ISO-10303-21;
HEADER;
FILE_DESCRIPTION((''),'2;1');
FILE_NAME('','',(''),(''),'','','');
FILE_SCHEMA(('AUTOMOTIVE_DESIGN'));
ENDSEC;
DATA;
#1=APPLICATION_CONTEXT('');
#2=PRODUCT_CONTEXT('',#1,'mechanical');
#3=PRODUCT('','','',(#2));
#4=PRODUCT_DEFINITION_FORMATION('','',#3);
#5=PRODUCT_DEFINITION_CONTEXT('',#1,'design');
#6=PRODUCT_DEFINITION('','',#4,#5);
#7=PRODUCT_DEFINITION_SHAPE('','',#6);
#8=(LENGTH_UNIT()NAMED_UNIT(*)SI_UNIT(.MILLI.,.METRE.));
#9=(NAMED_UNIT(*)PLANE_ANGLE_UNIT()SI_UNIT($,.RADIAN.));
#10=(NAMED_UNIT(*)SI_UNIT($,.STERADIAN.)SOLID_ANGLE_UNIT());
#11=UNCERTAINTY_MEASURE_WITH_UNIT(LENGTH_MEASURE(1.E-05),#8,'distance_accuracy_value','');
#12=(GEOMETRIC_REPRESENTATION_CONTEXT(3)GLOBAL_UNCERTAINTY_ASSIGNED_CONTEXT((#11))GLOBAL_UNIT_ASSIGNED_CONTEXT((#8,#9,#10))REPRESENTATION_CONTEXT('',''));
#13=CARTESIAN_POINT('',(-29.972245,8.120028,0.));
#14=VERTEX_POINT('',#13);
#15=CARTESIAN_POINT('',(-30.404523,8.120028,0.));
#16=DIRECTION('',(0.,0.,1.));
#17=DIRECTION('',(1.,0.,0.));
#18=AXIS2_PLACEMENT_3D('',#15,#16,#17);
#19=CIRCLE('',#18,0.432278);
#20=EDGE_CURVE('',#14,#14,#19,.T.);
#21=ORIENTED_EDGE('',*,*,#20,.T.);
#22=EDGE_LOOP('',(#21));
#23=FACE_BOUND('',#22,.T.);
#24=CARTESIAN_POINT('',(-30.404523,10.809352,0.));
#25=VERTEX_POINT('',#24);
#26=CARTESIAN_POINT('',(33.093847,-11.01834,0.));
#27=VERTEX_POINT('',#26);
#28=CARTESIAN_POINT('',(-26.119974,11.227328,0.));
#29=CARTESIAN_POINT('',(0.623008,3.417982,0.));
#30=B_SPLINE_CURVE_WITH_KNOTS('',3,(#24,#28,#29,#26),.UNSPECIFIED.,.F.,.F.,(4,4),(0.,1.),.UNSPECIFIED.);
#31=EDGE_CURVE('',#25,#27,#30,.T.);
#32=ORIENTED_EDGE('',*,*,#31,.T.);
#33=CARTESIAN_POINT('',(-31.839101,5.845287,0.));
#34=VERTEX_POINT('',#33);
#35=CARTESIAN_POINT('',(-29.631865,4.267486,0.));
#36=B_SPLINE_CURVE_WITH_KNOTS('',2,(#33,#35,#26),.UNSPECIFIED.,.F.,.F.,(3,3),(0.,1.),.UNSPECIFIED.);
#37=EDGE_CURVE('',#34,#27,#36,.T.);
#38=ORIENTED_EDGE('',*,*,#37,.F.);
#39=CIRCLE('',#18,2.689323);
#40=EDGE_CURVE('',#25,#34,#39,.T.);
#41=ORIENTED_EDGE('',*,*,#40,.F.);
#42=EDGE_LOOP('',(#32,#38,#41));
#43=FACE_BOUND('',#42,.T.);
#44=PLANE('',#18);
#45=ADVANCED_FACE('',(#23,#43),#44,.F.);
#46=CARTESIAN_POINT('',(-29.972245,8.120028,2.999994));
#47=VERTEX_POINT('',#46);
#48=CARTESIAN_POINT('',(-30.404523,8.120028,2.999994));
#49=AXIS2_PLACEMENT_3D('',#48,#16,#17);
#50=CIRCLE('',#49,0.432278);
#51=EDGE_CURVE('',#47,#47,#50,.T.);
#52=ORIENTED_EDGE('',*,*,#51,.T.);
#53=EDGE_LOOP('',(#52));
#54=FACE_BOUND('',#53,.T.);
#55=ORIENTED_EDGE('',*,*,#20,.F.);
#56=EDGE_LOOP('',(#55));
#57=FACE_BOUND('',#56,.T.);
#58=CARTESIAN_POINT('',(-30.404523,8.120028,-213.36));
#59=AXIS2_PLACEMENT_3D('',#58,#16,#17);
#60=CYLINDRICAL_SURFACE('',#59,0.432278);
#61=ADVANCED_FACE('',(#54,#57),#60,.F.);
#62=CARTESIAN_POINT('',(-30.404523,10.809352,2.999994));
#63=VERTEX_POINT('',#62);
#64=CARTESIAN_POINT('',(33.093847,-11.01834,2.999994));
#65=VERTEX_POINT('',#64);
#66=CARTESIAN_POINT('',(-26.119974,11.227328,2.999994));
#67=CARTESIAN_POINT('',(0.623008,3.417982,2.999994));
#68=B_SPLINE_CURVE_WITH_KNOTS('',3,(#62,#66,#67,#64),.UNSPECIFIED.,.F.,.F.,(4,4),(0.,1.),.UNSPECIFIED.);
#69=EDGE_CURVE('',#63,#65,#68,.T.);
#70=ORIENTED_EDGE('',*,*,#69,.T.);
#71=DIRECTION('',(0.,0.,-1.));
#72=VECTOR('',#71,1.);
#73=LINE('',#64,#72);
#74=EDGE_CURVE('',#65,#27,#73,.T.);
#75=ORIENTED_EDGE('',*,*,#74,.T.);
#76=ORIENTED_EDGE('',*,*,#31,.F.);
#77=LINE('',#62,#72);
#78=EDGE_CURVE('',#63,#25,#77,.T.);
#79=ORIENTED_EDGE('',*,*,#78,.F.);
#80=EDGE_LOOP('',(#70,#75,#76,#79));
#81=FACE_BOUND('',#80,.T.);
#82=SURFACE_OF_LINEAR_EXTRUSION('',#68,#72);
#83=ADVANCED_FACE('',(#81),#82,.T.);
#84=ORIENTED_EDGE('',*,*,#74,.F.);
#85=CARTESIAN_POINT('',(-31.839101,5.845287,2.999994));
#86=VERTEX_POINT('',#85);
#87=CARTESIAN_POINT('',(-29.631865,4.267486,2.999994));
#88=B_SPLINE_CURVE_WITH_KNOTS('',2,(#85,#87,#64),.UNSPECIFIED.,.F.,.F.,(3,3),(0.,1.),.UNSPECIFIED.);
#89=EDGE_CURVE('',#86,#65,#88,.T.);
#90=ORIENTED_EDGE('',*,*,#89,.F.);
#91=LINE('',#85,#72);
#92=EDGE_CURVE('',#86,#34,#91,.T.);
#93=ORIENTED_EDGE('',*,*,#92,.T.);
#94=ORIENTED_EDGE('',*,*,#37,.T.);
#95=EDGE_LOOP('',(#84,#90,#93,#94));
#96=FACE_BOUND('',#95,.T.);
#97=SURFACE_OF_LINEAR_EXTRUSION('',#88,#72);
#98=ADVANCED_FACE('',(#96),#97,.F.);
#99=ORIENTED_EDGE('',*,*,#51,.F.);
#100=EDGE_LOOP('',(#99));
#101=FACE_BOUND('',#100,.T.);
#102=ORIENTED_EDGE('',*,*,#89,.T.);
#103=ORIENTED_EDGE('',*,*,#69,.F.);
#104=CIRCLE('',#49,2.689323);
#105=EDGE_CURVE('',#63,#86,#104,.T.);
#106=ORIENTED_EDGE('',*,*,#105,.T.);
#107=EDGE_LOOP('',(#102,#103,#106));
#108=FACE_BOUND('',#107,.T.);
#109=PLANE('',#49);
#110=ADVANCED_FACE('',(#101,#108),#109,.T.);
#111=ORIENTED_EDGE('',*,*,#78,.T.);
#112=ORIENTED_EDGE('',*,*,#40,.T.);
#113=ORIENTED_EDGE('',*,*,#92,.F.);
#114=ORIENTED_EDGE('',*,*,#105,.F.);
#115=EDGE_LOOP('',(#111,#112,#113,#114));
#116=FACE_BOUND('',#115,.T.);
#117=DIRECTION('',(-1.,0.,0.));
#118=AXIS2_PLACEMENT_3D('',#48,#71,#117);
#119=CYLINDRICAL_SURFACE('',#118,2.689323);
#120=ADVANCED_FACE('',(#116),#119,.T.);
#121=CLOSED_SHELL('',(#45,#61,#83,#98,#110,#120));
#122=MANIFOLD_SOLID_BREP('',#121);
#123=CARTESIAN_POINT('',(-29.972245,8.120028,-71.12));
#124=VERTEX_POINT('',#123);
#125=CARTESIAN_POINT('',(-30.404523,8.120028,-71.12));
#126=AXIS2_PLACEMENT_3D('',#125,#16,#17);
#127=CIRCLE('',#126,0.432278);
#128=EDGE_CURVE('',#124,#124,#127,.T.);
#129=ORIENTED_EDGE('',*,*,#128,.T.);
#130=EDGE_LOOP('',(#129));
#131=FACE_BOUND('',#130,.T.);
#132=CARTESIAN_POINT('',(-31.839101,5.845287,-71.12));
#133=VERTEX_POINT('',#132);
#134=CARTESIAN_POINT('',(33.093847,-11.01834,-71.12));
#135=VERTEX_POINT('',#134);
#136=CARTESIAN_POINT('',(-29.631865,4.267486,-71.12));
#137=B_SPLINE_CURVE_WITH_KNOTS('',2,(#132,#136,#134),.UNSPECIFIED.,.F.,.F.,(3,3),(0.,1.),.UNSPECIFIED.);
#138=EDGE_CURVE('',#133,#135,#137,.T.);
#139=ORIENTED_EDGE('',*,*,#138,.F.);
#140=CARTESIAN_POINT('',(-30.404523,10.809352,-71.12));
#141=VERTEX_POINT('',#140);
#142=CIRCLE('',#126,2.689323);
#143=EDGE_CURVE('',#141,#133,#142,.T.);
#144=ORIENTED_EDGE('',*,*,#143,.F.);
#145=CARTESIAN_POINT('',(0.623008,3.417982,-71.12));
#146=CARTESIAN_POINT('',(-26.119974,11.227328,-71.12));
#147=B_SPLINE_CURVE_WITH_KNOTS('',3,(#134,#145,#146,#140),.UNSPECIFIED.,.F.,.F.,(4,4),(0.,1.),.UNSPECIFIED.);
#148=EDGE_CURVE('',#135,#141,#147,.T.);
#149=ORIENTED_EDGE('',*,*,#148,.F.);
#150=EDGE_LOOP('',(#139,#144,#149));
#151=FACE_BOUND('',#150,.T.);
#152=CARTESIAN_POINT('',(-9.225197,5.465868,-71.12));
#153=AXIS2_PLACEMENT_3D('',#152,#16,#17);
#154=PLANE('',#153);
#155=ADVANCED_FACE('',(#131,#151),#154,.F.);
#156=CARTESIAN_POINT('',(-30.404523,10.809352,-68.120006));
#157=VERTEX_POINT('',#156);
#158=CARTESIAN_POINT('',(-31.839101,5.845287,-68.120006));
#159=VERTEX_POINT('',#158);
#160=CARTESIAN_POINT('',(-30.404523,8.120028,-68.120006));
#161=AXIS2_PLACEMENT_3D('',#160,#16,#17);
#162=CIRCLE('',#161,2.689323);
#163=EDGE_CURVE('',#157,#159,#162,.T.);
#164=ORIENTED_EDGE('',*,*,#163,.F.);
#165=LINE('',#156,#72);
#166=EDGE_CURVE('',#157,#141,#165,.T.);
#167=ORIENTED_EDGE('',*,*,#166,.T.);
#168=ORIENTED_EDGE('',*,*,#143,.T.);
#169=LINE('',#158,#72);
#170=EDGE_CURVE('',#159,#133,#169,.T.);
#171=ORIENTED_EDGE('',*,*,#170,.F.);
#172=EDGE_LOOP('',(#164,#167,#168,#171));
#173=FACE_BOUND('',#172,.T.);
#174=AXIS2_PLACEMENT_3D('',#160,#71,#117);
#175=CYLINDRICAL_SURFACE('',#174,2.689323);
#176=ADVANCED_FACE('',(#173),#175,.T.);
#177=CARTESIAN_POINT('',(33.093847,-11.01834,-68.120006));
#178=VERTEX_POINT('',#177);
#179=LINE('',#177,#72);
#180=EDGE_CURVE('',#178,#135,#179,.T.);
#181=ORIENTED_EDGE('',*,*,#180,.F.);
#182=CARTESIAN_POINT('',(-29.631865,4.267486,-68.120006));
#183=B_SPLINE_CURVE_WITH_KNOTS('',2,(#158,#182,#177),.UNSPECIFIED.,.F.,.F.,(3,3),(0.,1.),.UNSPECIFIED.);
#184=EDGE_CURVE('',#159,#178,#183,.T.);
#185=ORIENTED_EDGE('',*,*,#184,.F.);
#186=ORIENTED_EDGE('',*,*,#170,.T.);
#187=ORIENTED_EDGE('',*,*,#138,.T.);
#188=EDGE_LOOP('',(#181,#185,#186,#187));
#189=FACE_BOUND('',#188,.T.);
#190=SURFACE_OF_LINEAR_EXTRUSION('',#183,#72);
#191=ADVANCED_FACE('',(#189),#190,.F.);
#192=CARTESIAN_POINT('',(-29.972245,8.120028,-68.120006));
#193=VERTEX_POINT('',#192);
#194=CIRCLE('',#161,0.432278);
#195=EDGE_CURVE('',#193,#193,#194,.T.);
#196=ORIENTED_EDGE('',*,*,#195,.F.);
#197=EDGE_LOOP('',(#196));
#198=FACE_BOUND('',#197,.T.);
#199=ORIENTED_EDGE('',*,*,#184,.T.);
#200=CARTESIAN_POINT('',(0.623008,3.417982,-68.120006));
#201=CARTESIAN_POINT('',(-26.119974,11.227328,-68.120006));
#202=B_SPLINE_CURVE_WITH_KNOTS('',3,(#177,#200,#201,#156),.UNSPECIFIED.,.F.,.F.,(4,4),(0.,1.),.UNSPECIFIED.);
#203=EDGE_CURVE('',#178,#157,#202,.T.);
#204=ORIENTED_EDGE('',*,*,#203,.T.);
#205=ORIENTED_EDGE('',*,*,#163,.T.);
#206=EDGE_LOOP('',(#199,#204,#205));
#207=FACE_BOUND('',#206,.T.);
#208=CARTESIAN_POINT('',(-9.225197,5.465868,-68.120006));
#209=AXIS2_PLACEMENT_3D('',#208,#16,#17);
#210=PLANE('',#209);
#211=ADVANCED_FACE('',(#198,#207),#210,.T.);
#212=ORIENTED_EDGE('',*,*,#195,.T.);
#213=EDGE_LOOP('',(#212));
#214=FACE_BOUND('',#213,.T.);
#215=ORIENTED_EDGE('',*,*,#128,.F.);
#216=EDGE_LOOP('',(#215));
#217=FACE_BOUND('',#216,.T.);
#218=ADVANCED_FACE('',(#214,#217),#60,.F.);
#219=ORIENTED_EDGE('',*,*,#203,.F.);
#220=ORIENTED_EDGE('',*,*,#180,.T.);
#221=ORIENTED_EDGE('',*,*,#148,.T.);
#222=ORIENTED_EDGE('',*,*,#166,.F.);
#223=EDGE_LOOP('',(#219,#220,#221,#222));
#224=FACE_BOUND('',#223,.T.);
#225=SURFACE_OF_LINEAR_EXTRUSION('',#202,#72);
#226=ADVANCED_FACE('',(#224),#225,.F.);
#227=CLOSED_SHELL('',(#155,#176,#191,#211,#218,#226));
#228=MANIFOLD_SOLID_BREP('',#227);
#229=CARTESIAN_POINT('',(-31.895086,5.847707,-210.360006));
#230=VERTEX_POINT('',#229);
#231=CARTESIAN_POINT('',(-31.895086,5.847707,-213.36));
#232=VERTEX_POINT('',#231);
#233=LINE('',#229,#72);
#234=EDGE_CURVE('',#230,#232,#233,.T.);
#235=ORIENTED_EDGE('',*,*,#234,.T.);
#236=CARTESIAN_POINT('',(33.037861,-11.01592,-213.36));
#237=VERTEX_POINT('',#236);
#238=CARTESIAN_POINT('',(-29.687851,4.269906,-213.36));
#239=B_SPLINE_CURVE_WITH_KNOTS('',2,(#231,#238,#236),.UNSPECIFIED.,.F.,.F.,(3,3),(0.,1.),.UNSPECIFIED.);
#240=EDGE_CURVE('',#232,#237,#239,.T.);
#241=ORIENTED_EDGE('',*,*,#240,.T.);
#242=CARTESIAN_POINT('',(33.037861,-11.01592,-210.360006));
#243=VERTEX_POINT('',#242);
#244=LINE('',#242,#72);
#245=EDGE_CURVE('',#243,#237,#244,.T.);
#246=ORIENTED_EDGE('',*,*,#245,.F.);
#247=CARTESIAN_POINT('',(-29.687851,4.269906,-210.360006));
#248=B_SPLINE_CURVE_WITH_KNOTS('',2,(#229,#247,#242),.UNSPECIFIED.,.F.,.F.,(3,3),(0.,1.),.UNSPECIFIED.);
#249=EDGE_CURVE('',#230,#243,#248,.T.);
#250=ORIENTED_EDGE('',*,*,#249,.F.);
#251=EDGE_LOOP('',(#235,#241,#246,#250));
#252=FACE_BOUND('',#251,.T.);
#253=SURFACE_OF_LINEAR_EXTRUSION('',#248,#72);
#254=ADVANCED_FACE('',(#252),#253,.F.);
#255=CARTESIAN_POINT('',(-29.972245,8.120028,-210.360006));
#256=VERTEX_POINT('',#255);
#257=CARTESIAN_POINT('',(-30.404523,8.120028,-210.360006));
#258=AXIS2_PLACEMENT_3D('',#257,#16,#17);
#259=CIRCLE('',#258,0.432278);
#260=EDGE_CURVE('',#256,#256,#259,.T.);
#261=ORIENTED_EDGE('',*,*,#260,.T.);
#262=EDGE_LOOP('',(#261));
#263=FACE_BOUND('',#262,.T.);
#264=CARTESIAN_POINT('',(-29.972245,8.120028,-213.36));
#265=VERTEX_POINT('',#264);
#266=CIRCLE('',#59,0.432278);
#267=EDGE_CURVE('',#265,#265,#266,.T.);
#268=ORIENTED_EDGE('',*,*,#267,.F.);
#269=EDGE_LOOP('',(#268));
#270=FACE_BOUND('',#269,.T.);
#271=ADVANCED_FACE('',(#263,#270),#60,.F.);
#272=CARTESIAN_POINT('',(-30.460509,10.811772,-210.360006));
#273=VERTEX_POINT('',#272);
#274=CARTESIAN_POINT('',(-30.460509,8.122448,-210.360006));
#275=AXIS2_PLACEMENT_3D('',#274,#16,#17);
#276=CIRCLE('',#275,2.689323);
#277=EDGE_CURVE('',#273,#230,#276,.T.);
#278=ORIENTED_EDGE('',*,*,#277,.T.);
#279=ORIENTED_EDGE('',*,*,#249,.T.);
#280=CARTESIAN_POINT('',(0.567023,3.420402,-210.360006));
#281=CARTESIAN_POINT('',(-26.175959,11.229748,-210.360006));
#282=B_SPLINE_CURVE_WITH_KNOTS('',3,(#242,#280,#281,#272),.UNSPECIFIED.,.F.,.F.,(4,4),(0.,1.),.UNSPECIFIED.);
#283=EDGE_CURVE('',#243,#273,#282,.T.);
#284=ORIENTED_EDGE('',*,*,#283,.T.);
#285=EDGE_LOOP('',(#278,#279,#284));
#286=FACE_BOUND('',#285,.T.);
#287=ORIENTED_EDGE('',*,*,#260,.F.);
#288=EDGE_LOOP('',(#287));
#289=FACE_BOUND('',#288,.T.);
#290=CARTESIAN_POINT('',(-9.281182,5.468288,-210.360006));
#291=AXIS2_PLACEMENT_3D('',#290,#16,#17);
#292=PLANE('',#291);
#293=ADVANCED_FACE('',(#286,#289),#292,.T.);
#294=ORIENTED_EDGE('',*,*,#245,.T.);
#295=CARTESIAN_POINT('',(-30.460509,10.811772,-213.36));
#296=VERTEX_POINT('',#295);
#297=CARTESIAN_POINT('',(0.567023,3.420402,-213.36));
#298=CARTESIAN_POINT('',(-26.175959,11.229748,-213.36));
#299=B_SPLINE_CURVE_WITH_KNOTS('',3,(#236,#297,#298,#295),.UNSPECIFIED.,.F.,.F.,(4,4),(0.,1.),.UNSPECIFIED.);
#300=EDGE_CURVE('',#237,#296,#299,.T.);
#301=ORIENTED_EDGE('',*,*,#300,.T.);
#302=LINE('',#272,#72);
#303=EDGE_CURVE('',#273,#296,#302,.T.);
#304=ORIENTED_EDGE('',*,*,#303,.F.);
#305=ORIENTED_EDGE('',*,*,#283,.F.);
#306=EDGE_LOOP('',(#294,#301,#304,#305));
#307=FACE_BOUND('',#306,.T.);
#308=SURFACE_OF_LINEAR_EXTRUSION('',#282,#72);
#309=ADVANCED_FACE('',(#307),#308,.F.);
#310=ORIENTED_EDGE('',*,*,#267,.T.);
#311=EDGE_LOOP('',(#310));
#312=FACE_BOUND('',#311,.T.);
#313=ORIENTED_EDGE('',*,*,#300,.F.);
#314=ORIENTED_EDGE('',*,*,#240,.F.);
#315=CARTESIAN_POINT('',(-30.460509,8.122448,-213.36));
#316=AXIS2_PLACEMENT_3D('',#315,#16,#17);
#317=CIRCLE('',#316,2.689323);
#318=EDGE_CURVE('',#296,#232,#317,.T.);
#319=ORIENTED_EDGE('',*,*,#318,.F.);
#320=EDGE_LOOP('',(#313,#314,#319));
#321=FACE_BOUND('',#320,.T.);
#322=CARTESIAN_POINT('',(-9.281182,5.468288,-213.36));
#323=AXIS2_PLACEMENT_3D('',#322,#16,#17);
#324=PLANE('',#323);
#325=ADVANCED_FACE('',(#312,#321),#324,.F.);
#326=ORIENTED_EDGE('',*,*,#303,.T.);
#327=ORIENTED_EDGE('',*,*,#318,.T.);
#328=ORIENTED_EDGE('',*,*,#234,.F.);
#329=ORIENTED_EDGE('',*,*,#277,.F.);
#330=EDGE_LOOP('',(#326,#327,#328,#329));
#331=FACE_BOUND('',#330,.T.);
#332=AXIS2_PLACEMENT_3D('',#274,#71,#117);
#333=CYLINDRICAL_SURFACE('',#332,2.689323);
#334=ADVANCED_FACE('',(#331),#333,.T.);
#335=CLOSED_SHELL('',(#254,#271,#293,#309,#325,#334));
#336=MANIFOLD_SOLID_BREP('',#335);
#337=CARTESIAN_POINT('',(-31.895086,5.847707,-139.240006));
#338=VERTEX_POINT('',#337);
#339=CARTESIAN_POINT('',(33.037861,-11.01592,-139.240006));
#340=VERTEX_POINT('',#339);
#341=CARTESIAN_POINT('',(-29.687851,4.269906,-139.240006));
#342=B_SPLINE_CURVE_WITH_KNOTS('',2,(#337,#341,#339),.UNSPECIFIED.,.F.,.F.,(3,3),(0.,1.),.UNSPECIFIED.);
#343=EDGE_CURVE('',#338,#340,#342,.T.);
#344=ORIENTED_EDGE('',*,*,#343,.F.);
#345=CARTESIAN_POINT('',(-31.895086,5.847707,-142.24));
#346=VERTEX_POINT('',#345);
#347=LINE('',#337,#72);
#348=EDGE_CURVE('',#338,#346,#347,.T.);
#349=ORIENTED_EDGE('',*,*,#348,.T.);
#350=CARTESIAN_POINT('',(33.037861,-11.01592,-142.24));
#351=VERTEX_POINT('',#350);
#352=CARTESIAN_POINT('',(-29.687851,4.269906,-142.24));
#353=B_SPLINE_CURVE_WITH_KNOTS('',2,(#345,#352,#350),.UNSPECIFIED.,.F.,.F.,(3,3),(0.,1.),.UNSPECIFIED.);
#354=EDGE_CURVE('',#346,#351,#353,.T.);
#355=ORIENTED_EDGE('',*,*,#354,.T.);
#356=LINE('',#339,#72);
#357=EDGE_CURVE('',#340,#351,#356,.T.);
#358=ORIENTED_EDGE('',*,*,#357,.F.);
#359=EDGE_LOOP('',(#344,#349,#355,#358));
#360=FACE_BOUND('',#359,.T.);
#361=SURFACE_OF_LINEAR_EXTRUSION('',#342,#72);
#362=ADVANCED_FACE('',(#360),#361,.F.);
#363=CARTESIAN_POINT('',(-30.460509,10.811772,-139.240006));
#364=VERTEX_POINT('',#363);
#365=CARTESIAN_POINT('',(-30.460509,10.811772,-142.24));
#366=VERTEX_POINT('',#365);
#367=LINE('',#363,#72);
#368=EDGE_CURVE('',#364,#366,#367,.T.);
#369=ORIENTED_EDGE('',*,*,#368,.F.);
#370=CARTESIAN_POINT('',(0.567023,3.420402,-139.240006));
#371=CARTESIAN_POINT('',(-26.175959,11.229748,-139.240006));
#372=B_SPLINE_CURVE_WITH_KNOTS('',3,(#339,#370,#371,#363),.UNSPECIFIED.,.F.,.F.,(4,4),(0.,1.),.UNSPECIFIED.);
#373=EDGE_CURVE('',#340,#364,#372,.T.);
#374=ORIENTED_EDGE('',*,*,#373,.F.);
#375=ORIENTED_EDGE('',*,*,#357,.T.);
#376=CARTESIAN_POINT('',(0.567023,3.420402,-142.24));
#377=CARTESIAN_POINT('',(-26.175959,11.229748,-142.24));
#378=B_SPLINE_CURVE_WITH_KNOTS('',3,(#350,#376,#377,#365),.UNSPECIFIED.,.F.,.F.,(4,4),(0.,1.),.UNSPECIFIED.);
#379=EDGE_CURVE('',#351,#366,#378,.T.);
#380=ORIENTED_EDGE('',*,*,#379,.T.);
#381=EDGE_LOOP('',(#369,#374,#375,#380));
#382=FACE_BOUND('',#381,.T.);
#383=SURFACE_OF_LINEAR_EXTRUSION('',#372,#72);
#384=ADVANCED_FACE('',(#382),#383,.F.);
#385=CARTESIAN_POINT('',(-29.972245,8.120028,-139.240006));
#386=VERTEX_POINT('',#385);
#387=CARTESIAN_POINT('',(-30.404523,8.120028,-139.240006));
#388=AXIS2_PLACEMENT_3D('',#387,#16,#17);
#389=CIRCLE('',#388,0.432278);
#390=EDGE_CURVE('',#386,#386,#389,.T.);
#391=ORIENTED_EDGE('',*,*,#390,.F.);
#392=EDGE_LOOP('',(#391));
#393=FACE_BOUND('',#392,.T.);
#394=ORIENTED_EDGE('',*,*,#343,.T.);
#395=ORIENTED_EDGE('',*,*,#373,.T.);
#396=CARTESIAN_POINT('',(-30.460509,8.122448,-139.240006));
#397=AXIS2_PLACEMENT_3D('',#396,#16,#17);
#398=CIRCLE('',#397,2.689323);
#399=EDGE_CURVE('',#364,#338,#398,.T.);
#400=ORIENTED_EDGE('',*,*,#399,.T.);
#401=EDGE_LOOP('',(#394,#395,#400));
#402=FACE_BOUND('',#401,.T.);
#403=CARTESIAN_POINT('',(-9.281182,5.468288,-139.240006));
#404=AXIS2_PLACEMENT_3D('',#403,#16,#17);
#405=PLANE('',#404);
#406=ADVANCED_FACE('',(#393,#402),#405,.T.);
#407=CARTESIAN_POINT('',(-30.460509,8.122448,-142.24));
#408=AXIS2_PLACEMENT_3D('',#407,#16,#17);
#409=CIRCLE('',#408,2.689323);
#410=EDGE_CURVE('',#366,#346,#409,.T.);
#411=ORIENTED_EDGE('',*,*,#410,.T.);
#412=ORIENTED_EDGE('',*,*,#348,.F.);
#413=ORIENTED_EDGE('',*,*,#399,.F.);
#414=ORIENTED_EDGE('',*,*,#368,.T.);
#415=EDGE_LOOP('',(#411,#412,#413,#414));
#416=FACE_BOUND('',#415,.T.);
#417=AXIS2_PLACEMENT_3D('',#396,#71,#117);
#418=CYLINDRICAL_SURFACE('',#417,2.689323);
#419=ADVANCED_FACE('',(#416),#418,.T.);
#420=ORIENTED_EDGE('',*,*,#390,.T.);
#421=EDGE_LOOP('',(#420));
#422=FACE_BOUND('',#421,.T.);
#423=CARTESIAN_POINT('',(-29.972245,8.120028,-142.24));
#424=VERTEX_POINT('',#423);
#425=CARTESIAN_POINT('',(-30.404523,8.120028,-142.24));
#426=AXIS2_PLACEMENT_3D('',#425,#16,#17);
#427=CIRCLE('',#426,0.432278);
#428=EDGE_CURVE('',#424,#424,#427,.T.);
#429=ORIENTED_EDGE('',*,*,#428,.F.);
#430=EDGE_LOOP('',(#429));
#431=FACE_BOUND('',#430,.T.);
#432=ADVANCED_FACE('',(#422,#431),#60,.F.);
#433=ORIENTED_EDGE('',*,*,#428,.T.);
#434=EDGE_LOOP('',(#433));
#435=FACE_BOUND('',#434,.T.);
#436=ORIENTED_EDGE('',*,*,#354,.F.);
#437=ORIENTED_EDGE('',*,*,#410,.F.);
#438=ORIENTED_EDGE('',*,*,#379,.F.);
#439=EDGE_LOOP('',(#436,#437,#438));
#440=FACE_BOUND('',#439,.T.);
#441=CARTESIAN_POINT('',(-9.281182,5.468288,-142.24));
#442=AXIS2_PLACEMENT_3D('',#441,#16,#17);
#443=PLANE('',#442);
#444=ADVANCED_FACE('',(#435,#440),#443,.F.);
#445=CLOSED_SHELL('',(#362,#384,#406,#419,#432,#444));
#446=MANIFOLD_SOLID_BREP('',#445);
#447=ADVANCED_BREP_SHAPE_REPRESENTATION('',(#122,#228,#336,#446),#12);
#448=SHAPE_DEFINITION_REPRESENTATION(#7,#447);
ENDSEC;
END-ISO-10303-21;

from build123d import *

# Parameters (mm, degrees)
BOSS_EXTRUDE1_DEPTH = 2.999994
BOSS_EXTRUDE2_DEPTH = 2.999994
BOSS_EXTRUDE3_DEPTH = 2.999994
BOSS_EXTRUDE4_DEPTH = 2.999994
SKETCH6_R           = 0.432278284
CUT_EXTRUDE1_DEPTH  = 217.3599941


with BuildPart() as part:
    # Sketch1 → Boss-Extrude1 (new body)
    with BuildSketch(Plane.XY):
        with BuildLine():
            ThreePointArc((-30.404523451, 10.809351549), (-32.988123249, 8.866669081), (-31.839100998, 5.84528679))
            add(Edge.make_bspline(
                [(-31.839100998, 5.84528679), (-29.631865324, 4.267485569), (33.093846915, -11.018339962)],
                knots=[0, 0, 0, 1, 1, 1], degree=2))
            add(Edge.make_bspline(
                [(-30.404523451, 10.809351549), (-26.119973685, 11.227328374), (0.623008073, 3.417982016), (33.093846915, -11.018339962)],
                knots=[0, 0, 0, 0, 1, 1, 1, 1], degree=3))
        make_face()
    extrude(amount=BOSS_EXTRUDE1_DEPTH)


with BuildPart() as body_2:
    # Sketch3 → Boss-Extrude2 (new body)
    with BuildSketch(Plane.XY.offset(-71.12)):
        with BuildLine():
            ThreePointArc((-30.404523451, 10.809351549), (-32.988123249, 8.866669081), (-31.839100998, 5.84528679))
            add(Edge.make_bspline(
                [(-31.839100998, 5.84528679), (-29.631865324, 4.267485569), (33.093846915, -11.018339962)],
                knots=[0, 0, 0, 1, 1, 1], degree=2))
            add(Edge.make_bspline(
                [(-30.404523451, 10.809351549), (-26.119973685, 11.227328374), (0.623008073, 3.417982016), (33.093846915, -11.018339962)],
                knots=[0, 0, 0, 0, 1, 1, 1, 1], degree=3))
        make_face()
    extrude(amount=BOSS_EXTRUDE2_DEPTH)


with BuildPart() as body_3:
    # Sketch4 → Boss-Extrude3 (new body)
    with BuildSketch(Plane.XY.offset(-142.24)):
        with BuildLine():
            ThreePointArc((-30.460508952, 10.811771501), (-33.04410875, 8.869089034), (-31.895086499, 5.847706742))
            add(Edge.make_bspline(
                [(-31.895086499, 5.847706742), (-29.687850825, 4.269905522), (33.037861414, -11.015920009)],
                knots=[0, 0, 0, 1, 1, 1], degree=2))
            add(Edge.make_bspline(
                [(-30.460508952, 10.811771501), (-26.175959186, 11.229748327), (0.567022572, 3.420401969), (33.037861414, -11.015920009)],
                knots=[0, 0, 0, 0, 1, 1, 1, 1], degree=3))
        make_face()
    extrude(amount=BOSS_EXTRUDE3_DEPTH)


with BuildPart() as body_4:
    # Sketch5 → Boss-Extrude4 (new body)
    with BuildSketch(Plane.XY.offset(-213.36)):
        with BuildLine():
            ThreePointArc((-30.460508952, 10.811771501), (-33.04410875, 8.869089034), (-31.895086499, 5.847706742))
            add(Edge.make_bspline(
                [(-31.895086499, 5.847706742), (-29.687850825, 4.269905522), (33.037861414, -11.015920009)],
                knots=[0, 0, 0, 1, 1, 1], degree=2))
            add(Edge.make_bspline(
                [(-30.460508952, 10.811771501), (-26.175959186, 11.229748327), (0.567022572, 3.420401969), (33.037861414, -11.015920009)],
                knots=[0, 0, 0, 0, 1, 1, 1, 1], degree=3))
        make_face()
    extrude(amount=BOSS_EXTRUDE4_DEPTH)


with BuildPart() as cut_extrude1_tool:
    # Sketch6 → Cut-Extrude1 (new body, through all)
    with BuildSketch(Plane.XY.offset(2.999994)):
        with Locations((-30.404523451, 8.120028084)):
            Circle(SKETCH6_R)
    extrude(amount=-CUT_EXTRUDE1_DEPTH)


with BuildPart() as part_1:
    add(part.part)

    # Cut-Extrude1: cut by cut_extrude1_tool
    add(cut_extrude1_tool.part, mode=Mode.SUBTRACT)


with BuildPart() as body_2_1:
    add(body_2.part)

    # Cut-Extrude1: cut by cut_extrude1_tool
    add(cut_extrude1_tool.part, mode=Mode.SUBTRACT)


with BuildPart() as body_3_1:
    add(body_3.part)

    # Cut-Extrude1: cut by cut_extrude1_tool
    add(cut_extrude1_tool.part, mode=Mode.SUBTRACT)


with BuildPart() as body_4_1:
    add(body_4.part)

    # Cut-Extrude1: cut by cut_extrude1_tool
    add(cut_extrude1_tool.part, mode=Mode.SUBTRACT)


solid = Compound([part_1.part, body_2_1.part, body_3_1.part, body_4_1.part])
